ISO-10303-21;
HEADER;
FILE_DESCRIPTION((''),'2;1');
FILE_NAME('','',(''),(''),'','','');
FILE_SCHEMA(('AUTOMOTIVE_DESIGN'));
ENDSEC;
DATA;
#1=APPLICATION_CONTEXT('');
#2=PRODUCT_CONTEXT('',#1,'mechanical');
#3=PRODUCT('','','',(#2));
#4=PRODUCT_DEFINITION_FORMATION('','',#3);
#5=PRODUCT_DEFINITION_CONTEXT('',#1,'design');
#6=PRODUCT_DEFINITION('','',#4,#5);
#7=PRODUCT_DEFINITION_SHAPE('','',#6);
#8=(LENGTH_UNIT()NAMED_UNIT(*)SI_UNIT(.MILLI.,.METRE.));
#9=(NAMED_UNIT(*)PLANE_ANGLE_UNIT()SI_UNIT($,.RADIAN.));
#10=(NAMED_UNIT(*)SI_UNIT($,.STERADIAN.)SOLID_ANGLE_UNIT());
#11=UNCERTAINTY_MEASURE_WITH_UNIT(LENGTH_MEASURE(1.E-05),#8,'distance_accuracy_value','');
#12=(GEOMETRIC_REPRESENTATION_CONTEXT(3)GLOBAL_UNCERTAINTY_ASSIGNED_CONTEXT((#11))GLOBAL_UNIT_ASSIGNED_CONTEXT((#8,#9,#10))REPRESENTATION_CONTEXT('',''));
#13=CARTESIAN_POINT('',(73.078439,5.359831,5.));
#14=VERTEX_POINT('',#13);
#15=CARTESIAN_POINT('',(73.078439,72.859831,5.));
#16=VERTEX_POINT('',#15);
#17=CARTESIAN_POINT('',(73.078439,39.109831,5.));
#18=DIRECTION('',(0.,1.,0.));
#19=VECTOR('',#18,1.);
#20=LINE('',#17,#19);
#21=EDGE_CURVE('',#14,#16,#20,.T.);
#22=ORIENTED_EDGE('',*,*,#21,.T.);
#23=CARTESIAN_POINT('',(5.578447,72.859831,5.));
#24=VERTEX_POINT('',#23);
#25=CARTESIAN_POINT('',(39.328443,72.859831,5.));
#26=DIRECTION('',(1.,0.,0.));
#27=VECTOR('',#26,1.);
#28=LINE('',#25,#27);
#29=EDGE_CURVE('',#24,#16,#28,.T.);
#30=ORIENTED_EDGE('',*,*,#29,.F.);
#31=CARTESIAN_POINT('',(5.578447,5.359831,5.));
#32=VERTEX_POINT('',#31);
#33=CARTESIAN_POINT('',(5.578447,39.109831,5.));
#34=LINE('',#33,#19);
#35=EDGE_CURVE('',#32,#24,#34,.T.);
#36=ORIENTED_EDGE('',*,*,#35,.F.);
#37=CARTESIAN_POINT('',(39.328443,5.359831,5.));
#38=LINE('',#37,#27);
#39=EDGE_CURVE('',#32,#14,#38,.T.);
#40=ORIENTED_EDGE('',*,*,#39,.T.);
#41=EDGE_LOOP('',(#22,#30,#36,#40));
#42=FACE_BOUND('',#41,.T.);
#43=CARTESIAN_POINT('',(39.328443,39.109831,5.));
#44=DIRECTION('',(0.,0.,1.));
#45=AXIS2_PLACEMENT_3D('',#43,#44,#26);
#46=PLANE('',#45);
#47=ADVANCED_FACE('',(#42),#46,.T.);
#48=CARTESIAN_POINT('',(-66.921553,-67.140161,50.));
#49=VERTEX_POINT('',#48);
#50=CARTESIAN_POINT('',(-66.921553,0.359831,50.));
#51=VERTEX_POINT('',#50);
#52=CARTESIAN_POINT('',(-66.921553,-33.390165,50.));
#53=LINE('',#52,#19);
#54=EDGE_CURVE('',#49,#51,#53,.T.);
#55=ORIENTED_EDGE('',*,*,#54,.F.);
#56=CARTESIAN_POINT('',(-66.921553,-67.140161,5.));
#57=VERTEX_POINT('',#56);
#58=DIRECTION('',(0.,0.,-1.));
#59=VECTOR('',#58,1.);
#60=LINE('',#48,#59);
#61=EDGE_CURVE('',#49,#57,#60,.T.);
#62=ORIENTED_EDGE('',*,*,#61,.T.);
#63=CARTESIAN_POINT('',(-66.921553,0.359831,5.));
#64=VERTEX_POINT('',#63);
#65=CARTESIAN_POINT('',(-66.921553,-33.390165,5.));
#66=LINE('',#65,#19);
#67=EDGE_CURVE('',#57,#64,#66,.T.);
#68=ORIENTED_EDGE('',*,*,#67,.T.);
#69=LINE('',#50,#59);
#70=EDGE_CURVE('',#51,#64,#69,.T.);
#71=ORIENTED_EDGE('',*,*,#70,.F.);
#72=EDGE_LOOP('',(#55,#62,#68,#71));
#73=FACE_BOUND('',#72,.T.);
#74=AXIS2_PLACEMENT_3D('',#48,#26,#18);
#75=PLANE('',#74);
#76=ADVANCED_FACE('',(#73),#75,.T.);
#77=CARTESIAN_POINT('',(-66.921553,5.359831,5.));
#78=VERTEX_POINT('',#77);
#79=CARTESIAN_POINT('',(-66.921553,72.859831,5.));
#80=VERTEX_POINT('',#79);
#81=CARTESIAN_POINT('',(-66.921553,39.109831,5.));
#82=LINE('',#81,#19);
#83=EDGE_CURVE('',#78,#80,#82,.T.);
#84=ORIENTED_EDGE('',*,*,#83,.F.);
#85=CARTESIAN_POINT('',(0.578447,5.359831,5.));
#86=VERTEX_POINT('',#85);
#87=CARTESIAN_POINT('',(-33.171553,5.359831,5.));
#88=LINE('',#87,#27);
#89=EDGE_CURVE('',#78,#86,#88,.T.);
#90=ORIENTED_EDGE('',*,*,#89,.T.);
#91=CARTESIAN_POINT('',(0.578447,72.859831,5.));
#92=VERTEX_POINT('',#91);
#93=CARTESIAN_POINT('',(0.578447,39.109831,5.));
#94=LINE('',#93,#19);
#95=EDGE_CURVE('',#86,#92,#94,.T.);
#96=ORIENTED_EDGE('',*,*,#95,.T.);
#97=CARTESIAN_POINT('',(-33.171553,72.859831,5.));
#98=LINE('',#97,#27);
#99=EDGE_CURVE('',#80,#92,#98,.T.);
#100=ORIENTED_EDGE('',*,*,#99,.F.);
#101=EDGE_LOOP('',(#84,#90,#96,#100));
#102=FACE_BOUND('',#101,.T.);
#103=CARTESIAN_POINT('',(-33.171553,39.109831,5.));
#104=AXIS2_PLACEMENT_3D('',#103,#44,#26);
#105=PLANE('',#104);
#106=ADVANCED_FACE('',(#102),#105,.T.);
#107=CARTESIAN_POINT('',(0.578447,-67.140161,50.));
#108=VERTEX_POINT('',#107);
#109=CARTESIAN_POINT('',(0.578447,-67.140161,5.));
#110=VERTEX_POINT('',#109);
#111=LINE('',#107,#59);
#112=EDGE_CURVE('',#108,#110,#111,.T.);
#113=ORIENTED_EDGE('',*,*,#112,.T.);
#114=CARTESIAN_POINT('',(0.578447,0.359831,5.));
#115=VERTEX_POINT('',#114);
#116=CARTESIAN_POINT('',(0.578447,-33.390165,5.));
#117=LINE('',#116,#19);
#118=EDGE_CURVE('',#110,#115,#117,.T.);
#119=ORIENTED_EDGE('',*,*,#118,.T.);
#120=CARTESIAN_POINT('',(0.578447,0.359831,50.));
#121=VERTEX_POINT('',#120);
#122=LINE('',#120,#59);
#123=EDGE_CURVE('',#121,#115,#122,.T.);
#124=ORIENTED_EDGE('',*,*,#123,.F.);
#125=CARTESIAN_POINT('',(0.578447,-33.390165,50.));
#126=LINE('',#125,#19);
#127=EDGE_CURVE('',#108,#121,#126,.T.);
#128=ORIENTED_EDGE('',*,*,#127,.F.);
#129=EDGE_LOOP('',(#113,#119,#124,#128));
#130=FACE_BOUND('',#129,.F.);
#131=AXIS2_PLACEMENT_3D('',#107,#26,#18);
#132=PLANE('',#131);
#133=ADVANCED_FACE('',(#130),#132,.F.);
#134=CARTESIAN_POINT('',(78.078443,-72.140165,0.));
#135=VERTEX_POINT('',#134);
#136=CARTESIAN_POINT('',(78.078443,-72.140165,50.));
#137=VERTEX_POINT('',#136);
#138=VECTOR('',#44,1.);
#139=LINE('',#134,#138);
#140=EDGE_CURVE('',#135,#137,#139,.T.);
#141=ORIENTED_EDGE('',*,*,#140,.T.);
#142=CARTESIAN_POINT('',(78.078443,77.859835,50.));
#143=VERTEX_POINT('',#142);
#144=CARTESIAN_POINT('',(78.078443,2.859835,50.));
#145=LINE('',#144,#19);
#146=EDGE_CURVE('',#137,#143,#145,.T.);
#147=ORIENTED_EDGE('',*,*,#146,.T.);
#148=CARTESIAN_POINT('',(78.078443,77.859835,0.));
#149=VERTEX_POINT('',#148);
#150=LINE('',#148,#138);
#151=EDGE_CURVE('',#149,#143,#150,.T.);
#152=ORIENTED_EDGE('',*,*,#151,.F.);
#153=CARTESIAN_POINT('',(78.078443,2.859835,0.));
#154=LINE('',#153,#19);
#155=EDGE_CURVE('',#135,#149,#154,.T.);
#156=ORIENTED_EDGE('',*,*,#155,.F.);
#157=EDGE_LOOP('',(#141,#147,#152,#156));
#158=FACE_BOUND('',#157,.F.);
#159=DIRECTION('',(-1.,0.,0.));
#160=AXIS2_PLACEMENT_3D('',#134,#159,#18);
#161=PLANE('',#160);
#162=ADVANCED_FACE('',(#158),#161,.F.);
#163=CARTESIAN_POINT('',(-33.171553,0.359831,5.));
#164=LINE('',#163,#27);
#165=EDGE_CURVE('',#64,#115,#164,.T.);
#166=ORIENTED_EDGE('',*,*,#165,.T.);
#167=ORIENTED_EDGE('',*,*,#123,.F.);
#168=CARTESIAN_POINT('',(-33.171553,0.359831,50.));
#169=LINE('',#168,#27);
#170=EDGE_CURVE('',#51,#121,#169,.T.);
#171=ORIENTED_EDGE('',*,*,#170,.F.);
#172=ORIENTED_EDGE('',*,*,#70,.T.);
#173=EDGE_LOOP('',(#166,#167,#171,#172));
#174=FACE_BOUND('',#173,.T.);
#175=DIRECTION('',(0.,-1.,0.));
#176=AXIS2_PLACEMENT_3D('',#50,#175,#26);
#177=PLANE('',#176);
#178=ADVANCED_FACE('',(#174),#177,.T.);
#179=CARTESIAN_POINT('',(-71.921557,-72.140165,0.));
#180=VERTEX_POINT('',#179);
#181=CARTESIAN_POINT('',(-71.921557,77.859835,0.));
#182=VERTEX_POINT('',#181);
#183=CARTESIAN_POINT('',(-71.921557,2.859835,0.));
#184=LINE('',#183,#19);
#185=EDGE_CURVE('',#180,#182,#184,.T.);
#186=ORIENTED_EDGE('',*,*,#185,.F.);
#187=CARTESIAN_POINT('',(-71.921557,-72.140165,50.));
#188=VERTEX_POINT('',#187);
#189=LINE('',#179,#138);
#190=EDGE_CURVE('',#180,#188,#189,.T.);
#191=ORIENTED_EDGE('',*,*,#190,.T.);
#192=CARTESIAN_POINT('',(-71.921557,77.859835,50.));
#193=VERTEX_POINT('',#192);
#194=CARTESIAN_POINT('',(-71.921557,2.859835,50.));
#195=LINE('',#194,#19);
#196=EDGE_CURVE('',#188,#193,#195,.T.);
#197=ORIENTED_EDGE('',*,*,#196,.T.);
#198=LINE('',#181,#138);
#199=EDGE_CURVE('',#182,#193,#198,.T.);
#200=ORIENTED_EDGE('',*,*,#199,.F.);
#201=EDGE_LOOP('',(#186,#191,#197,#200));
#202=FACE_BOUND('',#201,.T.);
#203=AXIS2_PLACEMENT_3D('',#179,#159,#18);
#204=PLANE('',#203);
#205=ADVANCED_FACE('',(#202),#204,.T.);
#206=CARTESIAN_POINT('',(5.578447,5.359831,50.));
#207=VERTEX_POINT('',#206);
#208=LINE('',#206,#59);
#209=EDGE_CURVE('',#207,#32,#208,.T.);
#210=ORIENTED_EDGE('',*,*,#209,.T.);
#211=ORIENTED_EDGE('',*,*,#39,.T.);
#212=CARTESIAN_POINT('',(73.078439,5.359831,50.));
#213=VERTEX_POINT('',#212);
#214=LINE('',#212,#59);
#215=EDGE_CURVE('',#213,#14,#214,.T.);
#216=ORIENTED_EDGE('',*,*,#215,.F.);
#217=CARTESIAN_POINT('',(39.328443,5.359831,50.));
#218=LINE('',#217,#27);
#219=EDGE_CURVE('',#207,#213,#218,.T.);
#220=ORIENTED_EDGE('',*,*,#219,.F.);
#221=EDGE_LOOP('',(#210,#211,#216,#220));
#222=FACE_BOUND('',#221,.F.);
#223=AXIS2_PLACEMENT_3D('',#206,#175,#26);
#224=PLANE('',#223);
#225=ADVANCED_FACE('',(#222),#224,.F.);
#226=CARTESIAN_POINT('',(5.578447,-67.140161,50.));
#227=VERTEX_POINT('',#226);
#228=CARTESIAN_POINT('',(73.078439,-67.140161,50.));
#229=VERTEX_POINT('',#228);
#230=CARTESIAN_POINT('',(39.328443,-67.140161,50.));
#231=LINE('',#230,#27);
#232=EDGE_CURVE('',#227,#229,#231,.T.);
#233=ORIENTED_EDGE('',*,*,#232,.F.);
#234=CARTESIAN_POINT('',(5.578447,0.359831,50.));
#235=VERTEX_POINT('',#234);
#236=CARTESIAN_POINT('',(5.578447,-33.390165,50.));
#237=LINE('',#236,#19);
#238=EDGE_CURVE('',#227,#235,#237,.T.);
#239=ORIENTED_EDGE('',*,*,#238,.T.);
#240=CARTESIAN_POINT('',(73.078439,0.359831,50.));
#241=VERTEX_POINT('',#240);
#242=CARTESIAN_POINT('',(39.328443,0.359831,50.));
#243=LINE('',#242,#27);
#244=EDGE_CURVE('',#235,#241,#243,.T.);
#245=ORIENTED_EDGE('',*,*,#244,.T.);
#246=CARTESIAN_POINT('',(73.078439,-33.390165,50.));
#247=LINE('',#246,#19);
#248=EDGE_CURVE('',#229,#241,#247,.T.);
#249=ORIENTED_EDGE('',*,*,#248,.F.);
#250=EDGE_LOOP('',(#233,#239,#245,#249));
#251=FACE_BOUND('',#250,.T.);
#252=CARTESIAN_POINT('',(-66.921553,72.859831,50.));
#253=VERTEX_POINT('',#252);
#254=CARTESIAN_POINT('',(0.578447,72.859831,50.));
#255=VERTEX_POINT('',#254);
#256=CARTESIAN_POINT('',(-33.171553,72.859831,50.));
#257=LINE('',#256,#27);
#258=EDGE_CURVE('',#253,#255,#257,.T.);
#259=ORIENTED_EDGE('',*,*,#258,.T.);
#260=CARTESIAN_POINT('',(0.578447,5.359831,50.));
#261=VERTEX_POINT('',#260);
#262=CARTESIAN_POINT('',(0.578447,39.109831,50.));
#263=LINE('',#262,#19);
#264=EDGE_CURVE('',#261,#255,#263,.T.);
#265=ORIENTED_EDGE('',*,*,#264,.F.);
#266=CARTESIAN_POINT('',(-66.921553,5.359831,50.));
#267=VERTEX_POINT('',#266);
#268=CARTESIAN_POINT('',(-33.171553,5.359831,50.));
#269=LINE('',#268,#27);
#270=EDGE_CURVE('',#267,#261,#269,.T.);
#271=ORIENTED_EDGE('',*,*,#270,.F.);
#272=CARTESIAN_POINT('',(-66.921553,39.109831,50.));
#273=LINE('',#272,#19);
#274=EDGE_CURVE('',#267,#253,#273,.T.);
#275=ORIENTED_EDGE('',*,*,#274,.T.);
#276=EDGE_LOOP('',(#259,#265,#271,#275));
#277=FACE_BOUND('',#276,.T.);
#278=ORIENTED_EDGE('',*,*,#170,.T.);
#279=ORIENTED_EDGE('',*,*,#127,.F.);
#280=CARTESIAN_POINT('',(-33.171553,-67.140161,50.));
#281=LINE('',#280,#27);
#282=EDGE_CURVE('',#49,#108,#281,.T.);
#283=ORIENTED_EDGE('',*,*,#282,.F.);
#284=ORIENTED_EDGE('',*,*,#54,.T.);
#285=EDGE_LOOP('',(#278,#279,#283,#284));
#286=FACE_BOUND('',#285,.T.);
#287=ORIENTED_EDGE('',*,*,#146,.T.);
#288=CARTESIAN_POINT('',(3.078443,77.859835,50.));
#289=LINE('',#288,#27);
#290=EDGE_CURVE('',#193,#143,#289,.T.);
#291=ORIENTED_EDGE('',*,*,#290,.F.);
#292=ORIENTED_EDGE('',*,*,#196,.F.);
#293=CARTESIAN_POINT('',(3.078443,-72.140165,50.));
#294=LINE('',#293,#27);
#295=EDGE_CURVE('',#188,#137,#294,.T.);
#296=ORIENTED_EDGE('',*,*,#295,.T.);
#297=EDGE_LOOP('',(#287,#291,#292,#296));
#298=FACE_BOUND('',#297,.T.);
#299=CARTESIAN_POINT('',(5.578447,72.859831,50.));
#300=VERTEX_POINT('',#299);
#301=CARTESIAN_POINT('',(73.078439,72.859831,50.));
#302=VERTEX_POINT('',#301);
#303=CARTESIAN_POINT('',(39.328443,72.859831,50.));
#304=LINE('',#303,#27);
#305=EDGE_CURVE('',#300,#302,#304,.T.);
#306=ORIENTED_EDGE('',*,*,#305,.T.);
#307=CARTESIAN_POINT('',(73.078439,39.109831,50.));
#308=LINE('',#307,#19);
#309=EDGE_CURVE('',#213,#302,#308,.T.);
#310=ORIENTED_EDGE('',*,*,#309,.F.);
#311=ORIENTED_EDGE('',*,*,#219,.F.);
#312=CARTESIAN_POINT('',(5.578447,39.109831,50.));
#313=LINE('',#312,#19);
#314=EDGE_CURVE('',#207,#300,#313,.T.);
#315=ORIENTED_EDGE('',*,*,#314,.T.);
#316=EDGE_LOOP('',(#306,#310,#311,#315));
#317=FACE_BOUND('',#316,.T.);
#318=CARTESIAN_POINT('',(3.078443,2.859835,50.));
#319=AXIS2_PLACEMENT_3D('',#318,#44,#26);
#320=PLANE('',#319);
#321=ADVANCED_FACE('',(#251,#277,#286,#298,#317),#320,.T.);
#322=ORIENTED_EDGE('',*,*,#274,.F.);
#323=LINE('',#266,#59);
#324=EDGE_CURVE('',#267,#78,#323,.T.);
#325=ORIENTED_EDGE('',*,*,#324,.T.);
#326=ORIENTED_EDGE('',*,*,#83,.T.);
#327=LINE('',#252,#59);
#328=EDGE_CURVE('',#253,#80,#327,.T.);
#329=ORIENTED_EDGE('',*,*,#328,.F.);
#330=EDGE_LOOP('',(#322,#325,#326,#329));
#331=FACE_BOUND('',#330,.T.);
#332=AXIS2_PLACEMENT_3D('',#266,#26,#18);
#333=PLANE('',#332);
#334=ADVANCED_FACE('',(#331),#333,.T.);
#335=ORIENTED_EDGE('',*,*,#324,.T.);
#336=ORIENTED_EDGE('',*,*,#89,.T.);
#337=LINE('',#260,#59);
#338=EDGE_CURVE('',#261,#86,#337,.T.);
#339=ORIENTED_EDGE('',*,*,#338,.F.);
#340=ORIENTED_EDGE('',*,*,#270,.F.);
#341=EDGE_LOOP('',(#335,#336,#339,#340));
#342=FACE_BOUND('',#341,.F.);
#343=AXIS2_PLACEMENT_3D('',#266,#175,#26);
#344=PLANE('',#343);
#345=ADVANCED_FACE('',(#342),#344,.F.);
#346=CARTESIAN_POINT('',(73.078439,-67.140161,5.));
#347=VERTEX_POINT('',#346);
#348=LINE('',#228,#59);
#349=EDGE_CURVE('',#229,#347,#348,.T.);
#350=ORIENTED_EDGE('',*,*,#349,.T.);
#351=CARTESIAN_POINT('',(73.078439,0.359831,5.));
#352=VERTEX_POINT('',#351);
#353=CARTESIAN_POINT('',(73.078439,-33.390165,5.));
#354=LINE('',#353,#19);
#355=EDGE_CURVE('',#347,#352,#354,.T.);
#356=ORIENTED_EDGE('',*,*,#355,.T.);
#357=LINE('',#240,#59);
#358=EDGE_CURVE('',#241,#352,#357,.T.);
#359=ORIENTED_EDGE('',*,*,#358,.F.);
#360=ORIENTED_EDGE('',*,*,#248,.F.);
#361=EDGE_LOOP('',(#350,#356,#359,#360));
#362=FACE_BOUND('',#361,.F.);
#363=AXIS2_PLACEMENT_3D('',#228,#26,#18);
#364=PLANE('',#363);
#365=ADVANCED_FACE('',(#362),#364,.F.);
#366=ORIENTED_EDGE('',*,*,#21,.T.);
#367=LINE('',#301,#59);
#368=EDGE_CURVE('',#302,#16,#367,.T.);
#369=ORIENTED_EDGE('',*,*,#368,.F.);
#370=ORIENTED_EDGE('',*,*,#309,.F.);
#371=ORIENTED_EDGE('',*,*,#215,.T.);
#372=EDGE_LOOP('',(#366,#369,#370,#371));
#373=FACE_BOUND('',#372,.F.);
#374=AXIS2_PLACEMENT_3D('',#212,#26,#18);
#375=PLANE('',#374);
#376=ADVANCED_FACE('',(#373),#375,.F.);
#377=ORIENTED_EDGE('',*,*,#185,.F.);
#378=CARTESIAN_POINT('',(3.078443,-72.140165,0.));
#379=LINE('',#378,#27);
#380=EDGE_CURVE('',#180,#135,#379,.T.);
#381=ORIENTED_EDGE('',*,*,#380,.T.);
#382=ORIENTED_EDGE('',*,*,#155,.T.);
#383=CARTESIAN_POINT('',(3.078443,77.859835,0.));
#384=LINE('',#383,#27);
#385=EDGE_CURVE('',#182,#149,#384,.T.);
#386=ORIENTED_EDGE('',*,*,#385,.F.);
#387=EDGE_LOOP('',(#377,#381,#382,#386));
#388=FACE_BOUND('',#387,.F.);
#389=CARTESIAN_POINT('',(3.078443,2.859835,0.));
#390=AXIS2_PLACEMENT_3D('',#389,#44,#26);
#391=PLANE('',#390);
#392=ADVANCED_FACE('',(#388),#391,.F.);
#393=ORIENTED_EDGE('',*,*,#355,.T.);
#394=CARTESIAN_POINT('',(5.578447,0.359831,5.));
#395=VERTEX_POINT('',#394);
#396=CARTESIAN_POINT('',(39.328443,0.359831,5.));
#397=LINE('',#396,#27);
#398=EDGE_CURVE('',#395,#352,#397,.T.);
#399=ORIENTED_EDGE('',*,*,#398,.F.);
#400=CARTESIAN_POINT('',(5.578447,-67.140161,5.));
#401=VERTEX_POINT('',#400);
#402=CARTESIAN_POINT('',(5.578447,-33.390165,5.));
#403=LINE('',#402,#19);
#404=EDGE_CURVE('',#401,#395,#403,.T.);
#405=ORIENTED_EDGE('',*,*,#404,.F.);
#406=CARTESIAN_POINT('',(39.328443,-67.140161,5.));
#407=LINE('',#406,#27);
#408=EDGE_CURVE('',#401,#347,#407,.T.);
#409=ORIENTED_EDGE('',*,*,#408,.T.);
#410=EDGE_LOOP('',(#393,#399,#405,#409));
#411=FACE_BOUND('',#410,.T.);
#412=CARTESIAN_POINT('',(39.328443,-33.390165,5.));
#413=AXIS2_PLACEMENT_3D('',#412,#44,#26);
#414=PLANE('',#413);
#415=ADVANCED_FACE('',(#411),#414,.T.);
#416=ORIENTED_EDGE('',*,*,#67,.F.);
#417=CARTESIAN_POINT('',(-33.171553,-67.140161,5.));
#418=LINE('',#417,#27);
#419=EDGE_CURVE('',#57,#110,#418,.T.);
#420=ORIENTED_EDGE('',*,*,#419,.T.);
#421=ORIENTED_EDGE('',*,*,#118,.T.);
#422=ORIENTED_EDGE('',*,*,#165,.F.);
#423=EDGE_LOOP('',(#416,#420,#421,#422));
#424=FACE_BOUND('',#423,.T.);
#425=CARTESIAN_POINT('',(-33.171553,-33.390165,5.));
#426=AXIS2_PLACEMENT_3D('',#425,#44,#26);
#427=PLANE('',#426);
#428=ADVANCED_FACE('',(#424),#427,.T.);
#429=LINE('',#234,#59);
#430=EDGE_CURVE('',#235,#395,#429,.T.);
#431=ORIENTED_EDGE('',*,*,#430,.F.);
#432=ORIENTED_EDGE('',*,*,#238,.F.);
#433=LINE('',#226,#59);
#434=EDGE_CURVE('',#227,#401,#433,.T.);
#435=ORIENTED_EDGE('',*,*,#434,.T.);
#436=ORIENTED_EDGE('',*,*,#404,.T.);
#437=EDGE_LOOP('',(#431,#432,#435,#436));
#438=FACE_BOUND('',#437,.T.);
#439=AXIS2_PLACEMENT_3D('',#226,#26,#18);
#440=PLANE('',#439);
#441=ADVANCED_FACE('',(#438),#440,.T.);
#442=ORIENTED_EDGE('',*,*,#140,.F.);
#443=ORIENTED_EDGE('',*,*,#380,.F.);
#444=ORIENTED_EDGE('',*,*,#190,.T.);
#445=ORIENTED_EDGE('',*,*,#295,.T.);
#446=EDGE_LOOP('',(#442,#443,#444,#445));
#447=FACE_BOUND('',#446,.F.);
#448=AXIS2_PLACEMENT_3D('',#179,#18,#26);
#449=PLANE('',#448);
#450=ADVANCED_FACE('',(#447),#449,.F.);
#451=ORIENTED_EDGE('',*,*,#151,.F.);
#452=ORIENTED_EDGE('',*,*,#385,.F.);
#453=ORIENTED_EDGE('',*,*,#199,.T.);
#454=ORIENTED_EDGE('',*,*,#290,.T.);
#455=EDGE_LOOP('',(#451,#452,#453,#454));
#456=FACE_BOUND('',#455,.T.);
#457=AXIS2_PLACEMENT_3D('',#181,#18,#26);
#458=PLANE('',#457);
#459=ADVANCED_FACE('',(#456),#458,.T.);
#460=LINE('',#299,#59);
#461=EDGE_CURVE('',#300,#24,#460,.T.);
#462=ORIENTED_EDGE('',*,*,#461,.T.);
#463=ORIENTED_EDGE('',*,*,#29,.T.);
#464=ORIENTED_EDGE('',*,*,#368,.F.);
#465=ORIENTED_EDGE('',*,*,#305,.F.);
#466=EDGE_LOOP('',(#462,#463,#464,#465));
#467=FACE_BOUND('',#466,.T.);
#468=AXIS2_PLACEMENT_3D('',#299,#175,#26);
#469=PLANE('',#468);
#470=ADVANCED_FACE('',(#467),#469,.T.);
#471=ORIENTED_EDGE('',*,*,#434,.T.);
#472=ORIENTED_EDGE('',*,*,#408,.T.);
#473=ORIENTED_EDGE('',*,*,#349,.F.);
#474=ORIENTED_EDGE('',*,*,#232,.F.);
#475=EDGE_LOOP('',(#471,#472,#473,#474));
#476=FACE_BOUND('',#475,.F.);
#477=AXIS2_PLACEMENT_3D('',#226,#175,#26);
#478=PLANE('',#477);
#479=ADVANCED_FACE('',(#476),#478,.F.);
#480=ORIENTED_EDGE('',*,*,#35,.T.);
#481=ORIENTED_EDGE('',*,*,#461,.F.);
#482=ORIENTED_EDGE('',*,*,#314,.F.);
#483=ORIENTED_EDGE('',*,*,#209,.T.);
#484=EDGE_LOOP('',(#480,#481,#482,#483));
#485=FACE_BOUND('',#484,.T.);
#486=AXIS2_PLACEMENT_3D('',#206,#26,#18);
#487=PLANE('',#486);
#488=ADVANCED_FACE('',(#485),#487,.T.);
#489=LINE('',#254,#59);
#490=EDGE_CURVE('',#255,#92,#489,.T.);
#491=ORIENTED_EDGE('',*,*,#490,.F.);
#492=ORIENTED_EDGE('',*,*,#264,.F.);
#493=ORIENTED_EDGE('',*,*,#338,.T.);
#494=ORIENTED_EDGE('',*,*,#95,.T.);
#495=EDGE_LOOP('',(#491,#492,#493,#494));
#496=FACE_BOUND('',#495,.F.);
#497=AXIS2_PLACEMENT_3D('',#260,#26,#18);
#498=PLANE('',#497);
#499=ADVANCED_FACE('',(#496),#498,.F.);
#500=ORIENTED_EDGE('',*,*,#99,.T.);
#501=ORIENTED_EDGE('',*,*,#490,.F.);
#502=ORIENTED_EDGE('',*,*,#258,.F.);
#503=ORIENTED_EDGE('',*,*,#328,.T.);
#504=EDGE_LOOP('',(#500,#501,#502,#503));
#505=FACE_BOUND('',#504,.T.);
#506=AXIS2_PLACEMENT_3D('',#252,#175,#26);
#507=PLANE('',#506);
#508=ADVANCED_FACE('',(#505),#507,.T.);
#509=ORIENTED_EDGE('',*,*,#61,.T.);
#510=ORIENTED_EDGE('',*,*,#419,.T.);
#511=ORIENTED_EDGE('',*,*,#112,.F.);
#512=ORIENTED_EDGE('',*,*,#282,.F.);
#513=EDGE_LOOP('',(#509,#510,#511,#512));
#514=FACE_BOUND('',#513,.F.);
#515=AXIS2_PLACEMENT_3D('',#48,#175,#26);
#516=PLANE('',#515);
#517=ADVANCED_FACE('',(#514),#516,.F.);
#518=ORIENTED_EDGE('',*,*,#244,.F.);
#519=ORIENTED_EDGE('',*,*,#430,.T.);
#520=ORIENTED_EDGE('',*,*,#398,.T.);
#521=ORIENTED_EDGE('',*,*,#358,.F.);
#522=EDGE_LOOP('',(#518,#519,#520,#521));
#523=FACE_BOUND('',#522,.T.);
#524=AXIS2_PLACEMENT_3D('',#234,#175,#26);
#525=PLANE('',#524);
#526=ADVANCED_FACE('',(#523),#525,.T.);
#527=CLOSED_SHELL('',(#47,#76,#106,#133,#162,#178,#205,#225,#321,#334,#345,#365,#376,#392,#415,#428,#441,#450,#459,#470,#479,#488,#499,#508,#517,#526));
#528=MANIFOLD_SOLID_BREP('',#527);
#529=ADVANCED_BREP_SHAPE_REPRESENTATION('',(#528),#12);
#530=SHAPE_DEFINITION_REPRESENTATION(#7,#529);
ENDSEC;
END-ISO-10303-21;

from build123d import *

# Parameters (mm, degrees)
F0_W     = 150
F0_H     = 150
F1_DEPTH = 50
F2_W     = 67.5
F2_H     = 67.5
F2_W_2   = 67.499992
F2_H_2   = 67.499992
F3_DEPTH = 45


with BuildPart() as f1:
    # F0 (on Top) → F1 (new body)
    with BuildSketch(Plane.XY):
        with Locations((3.078443, 2.859835)):
            Rectangle(F0_W, F0_H)
    extrude(amount=F1_DEPTH)

    # F2 (on face) → F3 (cut)
    with BuildSketch(Plane.XY.offset(50)):
        with Locations((-33.171553, 39.109831)):
            Rectangle(F2_W, F2_H)
        with Locations((39.328443, 39.109831)):
            Rectangle(F2_W_2, F2_H)
        with Locations((-33.171553, -33.390165)):
            Rectangle(F2_W, F2_H_2)
        with Locations((39.328443, -33.390165)):
            Rectangle(F2_W_2, F2_H_2)
    extrude(amount=-F3_DEPTH, mode=Mode.SUBTRACT)


solid = f1.part
